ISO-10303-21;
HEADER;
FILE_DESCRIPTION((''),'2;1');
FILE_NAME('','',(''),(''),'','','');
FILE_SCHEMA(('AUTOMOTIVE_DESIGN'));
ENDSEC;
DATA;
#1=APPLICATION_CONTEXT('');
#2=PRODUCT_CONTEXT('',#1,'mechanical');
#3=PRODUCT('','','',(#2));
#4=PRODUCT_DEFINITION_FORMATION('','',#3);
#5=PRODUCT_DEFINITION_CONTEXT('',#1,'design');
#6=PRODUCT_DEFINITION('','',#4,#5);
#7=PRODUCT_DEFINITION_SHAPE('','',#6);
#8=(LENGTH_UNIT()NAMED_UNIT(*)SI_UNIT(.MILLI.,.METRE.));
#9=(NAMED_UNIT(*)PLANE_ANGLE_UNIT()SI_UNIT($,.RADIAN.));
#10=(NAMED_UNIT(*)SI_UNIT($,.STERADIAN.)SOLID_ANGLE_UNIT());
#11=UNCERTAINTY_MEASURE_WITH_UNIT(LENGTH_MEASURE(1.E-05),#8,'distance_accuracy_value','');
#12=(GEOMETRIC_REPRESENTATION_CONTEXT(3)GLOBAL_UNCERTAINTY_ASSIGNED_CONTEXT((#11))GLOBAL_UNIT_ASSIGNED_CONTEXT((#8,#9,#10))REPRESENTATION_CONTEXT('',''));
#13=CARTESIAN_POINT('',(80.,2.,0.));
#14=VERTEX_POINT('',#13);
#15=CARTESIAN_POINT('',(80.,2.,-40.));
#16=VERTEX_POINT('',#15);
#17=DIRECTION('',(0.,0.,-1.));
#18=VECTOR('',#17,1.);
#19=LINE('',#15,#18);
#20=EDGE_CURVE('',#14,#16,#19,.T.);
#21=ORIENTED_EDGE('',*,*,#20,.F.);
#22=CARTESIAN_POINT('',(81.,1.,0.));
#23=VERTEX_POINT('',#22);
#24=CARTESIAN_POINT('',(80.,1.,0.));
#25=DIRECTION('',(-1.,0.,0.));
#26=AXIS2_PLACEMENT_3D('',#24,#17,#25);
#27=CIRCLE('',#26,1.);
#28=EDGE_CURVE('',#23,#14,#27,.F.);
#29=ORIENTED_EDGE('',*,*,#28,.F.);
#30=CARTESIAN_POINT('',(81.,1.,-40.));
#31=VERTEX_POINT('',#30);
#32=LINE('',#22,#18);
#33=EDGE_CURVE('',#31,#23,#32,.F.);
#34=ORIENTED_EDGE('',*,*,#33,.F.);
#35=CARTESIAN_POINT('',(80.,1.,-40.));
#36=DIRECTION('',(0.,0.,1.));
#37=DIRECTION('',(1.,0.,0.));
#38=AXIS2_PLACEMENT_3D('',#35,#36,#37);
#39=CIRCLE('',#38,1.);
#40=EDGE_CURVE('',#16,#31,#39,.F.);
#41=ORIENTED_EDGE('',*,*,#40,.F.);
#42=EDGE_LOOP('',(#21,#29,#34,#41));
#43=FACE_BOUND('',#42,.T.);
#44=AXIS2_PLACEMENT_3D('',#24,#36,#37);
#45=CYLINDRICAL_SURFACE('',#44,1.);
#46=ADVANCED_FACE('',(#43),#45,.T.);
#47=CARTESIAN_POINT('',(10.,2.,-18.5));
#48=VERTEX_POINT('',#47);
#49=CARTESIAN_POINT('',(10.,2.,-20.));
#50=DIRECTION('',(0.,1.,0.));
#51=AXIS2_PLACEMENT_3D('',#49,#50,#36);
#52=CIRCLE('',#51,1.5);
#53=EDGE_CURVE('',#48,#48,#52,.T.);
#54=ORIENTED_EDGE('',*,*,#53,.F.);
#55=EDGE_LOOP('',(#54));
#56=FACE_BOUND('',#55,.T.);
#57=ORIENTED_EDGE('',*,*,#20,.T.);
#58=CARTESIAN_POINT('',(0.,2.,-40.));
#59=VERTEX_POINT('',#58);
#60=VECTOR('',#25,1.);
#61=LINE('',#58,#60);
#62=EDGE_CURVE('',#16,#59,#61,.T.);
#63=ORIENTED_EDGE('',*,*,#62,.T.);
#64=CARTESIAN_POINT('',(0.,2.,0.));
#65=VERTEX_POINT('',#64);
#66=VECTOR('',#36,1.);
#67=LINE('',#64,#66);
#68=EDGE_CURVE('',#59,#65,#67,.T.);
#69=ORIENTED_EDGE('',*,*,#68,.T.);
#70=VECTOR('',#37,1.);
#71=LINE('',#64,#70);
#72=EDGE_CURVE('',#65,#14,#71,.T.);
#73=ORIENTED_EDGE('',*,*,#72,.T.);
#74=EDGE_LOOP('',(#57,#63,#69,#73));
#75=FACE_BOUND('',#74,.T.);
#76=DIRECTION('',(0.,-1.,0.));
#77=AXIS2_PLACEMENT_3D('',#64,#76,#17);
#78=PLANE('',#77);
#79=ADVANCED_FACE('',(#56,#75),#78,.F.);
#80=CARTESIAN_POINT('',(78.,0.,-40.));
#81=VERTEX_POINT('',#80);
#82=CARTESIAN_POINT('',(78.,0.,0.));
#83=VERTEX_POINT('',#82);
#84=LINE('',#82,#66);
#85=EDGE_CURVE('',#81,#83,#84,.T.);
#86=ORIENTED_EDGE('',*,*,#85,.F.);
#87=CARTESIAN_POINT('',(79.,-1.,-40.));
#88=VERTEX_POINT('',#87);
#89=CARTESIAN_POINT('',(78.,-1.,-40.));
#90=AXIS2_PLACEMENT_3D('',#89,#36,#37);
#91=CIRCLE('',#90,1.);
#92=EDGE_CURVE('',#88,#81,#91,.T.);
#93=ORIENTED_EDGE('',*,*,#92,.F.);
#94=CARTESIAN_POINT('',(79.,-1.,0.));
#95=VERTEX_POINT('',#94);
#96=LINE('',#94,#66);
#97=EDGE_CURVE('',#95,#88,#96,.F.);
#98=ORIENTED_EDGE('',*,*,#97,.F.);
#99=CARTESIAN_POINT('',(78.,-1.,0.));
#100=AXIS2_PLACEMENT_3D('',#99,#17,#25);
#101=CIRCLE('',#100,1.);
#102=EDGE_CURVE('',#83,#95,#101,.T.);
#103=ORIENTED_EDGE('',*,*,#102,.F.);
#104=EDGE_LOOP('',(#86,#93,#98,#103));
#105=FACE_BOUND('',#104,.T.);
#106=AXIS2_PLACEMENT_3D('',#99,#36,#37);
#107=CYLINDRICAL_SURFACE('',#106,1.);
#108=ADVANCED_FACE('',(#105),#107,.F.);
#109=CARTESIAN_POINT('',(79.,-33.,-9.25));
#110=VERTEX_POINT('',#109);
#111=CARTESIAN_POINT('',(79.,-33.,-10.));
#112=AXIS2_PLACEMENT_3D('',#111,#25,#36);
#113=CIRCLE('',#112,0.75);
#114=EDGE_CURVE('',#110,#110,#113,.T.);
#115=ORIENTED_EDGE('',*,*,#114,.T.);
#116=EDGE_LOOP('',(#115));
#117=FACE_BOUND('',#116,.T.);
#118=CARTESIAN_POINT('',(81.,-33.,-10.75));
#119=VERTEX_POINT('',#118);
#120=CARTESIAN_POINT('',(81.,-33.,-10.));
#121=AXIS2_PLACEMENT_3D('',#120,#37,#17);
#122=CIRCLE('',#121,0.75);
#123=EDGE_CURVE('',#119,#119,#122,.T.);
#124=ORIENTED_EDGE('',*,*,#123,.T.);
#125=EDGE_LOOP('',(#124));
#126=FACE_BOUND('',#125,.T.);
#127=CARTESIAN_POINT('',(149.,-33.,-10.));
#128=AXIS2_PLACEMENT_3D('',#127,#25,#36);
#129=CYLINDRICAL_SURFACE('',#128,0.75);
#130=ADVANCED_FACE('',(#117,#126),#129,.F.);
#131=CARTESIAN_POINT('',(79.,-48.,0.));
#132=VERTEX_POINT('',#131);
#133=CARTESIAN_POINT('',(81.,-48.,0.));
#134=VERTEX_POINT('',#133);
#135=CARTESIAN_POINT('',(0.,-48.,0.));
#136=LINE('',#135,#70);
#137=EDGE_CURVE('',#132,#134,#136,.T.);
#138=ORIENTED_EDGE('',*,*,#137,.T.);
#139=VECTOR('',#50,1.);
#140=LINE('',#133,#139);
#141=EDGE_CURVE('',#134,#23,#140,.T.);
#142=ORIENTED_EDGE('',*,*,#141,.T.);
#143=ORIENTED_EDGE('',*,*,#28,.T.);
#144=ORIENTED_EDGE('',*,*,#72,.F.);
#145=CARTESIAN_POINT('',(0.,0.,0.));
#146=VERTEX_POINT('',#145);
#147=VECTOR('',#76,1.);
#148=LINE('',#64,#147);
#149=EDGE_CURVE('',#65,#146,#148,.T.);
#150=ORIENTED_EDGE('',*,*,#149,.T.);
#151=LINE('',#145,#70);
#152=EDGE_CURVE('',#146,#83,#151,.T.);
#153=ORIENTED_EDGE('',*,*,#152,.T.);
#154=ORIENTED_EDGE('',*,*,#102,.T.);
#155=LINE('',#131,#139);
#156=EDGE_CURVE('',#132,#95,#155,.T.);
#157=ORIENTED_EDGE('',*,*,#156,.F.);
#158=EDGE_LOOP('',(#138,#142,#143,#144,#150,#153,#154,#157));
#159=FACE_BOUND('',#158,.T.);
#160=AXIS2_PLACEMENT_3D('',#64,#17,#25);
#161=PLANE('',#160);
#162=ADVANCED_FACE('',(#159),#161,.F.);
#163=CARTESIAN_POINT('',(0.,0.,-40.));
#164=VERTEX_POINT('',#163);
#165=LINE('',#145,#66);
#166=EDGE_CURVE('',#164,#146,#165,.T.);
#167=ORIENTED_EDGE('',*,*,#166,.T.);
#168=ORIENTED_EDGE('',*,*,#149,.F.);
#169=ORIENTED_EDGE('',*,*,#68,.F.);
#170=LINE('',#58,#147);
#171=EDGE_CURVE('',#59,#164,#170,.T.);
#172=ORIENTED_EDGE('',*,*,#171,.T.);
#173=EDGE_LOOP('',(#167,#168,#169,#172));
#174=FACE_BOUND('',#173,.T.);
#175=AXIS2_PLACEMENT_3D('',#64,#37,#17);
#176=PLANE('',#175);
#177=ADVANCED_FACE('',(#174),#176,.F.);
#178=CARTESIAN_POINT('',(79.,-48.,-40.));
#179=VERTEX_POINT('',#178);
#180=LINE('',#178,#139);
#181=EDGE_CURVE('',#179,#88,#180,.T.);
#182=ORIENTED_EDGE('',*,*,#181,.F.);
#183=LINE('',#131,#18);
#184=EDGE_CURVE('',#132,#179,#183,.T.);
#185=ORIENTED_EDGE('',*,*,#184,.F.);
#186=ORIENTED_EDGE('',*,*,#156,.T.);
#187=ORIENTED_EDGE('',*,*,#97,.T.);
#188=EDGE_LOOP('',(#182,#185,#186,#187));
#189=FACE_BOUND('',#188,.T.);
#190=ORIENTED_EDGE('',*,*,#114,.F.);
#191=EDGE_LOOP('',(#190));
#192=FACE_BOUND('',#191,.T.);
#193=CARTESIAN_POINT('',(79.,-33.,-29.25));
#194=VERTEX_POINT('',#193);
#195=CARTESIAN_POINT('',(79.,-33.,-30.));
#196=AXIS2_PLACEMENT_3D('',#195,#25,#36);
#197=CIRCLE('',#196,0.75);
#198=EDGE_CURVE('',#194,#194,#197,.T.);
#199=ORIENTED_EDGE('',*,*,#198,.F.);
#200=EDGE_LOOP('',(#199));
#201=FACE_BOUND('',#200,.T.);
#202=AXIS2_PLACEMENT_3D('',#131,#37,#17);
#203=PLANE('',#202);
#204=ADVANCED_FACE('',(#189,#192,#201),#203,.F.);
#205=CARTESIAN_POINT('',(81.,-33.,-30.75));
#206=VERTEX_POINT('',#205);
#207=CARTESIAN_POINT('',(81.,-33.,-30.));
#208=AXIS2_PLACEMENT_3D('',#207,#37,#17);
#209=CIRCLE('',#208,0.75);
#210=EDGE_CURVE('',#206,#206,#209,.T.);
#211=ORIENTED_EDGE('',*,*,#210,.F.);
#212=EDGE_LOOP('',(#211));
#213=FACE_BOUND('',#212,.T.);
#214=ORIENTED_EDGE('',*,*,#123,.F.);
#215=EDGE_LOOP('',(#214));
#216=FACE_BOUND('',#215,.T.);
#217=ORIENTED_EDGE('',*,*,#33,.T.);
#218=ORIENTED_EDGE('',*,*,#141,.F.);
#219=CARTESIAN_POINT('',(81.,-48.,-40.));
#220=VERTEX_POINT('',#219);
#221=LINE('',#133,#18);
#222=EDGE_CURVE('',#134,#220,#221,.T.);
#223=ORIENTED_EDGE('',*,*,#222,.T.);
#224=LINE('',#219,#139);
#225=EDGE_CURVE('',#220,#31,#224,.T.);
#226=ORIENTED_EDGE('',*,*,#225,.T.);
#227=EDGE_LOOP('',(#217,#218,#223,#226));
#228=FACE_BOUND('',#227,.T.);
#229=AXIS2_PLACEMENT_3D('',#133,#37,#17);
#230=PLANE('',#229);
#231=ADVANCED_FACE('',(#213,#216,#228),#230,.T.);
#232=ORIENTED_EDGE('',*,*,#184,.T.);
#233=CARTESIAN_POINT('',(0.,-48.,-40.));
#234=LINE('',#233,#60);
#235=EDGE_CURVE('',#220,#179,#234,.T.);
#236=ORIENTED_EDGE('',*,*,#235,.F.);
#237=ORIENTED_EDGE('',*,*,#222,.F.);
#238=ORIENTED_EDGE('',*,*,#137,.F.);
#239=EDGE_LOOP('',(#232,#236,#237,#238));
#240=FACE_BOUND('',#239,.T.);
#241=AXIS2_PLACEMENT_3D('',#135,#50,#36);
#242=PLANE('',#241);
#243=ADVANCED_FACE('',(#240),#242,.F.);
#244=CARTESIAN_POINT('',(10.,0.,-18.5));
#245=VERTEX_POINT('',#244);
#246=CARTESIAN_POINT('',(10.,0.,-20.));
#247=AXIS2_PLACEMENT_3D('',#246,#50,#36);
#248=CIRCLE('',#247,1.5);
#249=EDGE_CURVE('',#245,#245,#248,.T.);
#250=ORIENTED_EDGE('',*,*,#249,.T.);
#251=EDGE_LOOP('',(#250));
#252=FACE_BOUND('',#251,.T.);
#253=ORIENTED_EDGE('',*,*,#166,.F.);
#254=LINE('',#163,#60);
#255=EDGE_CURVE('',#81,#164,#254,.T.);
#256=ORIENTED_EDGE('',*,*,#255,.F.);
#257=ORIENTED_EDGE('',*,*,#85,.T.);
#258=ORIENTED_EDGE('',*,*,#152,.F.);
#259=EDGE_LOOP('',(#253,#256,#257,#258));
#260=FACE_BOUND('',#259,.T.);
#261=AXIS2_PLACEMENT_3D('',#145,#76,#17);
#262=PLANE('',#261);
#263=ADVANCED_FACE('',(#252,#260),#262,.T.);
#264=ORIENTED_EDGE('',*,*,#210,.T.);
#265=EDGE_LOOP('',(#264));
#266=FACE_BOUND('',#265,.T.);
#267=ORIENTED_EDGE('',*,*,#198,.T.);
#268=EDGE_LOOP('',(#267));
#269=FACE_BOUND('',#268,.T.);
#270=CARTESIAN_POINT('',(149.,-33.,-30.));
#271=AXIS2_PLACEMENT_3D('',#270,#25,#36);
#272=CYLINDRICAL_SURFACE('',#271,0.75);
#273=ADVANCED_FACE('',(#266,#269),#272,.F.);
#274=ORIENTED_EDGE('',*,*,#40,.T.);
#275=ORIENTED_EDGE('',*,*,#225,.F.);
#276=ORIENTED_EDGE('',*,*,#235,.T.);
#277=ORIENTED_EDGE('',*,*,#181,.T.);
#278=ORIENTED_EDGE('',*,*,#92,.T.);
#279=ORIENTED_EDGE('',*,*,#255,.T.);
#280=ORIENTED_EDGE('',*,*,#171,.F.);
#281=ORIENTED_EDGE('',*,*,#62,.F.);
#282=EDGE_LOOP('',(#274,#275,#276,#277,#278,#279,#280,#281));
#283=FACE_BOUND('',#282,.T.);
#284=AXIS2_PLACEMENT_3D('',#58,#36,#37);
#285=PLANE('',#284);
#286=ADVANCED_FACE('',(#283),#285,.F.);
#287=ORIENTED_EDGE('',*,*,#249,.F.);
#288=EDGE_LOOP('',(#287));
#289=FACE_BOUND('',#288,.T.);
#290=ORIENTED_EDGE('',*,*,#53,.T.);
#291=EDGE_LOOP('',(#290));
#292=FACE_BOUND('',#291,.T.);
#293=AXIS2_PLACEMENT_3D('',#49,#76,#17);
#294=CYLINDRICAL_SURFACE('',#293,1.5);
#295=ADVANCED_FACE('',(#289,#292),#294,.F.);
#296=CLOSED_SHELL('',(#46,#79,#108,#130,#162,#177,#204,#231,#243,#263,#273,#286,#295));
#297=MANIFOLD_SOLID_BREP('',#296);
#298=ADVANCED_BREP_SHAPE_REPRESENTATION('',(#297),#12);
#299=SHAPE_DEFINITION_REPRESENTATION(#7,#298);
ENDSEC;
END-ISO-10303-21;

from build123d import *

# Parameters (mm, degrees)
SKETCH1_W           = 80
SKETCH1_H           = 40
SKETCH1_R           = 1.5
BOSS_EXTRUDE1_DEPTH = 2
SKETCH2_W           = 1
SKETCH2_H           = 40
BOSS_EXTRUDE2_DEPTH = 50
SKETCH3_R           = 0.75
CUT_EXTRUDE1_DEPTH  = 70
FILLET1_R           = 1


with BuildPart() as part:
    # Sketch1 → Boss-Extrude1 (new body)
    with BuildSketch(Plane(origin=(0, 0, 0), x_dir=(1, 0, 0), z_dir=(0, 1, 0))):
        with Locations((40, 20)):
            Rectangle(SKETCH1_W, SKETCH1_H)
        with Locations(Location((10, 20, 0), (0, 0, 270))):
            Circle(SKETCH1_R, mode=Mode.SUBTRACT)
    extrude(amount=BOSS_EXTRUDE1_DEPTH)

    # Sketch2 → Boss-Extrude2 (add)
    with BuildSketch(Plane(origin=(0, 2, 0), x_dir=(1, 0, 0), z_dir=(0, 1, 0))):
        with Locations((79.5, 20)):
            Rectangle(SKETCH2_W, SKETCH2_H)
        with Locations((80.5, 20)):
            Rectangle(SKETCH2_W, SKETCH2_H)
    extrude(amount=-BOSS_EXTRUDE2_DEPTH)

    # Sketch3 → Cut-Extrude1 (cut)
    with BuildSketch(Plane.ZY.offset(-79)):
        with Locations((-30, -33)):
            Circle(SKETCH3_R)
        with Locations((-10, -33)):
            Circle(SKETCH3_R)
    extrude(amount=-CUT_EXTRUDE1_DEPTH, mode=Mode.SUBTRACT)

    # Fillet1
    fillet1_edges = [part.edges().sort_by_distance(p)[0] for p in [
        (79, 0, -20),
        (81, 2, -20),
    ]]
    fillet(fillet1_edges, radius=FILLET1_R)


solid = part.part
